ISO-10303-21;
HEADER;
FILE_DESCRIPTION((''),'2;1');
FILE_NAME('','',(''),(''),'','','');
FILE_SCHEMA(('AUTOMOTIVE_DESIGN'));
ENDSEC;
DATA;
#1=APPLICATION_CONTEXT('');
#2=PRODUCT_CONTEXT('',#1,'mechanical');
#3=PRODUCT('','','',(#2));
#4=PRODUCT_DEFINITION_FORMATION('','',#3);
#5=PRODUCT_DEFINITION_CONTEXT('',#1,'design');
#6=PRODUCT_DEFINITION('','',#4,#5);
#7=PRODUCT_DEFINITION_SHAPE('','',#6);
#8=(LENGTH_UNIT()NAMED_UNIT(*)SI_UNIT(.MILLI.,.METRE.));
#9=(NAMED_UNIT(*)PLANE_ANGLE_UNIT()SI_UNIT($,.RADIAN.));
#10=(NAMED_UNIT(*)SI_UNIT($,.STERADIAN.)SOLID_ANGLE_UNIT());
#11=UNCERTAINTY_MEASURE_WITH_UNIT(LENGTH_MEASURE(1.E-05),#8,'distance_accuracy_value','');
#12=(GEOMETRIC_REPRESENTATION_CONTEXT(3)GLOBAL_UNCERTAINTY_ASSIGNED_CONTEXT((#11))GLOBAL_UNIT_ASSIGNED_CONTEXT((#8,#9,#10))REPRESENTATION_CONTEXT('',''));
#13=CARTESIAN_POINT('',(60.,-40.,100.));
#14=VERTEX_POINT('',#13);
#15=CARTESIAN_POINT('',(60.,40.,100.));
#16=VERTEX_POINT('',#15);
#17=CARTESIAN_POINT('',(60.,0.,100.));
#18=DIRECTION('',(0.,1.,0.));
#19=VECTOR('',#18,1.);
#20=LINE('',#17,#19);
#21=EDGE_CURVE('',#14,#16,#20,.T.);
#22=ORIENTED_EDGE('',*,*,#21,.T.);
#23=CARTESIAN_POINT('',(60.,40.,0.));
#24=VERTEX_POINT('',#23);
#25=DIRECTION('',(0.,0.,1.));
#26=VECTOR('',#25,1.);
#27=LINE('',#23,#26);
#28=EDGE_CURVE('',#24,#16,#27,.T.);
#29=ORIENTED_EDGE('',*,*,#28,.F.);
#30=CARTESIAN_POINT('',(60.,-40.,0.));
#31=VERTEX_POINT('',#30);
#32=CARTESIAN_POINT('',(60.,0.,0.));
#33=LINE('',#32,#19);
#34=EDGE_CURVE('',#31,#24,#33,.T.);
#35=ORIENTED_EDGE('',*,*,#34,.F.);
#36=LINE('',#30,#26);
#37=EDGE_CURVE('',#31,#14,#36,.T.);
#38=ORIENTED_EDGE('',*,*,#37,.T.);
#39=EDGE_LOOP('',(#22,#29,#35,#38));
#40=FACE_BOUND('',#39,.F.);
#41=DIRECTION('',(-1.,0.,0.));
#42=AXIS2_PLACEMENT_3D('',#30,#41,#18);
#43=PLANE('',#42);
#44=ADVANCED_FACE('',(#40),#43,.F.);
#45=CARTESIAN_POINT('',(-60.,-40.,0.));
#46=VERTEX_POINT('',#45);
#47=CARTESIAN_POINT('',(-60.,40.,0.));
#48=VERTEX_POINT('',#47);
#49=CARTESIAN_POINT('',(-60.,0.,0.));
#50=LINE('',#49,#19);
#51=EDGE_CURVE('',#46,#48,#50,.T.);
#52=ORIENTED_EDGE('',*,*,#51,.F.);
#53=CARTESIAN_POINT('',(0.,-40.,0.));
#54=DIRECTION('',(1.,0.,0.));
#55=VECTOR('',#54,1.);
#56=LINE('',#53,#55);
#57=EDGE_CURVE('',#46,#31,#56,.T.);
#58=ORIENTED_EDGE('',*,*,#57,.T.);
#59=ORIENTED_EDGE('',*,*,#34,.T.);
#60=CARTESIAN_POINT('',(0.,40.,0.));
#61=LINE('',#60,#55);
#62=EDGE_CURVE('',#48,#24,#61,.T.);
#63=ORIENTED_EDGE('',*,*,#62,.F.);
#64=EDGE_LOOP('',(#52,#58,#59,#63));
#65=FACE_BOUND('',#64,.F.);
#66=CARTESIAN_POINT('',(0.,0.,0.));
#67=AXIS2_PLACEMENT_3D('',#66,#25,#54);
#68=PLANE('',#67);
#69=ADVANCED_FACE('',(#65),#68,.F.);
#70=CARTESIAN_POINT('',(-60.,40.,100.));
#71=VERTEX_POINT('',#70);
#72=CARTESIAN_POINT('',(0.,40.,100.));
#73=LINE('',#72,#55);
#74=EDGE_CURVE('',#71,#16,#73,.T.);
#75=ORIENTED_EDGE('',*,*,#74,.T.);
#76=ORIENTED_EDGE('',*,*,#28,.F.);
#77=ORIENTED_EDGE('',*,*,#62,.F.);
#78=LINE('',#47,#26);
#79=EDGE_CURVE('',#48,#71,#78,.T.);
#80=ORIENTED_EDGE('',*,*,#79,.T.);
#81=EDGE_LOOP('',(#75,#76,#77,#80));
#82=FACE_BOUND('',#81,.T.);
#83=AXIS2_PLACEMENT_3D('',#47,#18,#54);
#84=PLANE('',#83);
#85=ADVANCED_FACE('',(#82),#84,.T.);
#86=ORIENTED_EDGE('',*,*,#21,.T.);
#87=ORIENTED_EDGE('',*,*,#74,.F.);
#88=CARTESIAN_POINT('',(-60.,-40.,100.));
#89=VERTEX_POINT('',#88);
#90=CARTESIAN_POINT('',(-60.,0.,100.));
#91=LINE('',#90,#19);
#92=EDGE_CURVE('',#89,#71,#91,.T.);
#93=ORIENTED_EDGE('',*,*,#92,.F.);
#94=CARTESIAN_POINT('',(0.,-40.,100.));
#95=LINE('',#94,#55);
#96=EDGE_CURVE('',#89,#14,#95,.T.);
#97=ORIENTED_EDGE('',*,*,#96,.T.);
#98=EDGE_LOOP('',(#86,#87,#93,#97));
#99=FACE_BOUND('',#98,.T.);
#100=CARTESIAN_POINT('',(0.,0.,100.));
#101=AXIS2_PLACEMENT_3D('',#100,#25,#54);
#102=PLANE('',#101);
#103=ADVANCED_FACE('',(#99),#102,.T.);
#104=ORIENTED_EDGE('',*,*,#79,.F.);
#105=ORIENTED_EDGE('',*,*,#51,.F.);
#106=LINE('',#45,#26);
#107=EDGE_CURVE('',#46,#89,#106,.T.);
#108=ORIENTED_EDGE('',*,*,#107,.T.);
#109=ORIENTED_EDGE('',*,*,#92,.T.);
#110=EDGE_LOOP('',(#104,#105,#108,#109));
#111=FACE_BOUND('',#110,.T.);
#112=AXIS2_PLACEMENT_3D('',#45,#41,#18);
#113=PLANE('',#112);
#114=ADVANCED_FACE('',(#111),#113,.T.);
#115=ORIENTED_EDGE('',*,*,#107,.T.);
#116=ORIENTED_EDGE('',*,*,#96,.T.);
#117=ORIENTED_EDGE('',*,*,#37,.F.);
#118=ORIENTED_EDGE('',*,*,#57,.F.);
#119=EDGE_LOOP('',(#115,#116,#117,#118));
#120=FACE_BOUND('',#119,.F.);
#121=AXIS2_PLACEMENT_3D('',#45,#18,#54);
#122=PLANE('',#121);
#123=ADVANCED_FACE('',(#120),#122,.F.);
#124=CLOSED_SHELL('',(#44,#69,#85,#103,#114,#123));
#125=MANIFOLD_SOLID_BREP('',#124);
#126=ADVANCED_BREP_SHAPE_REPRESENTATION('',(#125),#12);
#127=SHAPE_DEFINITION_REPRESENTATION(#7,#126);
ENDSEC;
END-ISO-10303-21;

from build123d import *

# Parameters (mm, degrees)
F0_W     = 120
F0_H     = 80
F1_DEPTH = 100
F2_R     = 20.183378
F3_DEPTH = 80


with BuildPart() as f1:
    # F0 (on Top) → F1 (new body)
    with BuildSketch(Plane.XY):
        Rectangle(F0_W, F0_H)
    extrude(amount=F1_DEPTH)

    # F2 (on Top) → F3 (cut)
    with BuildSketch(Plane.XY):
        with Locations((25.038512, 0)):
            Circle(F2_R)
    extrude(amount=-F3_DEPTH, mode=Mode.SUBTRACT)


solid = f1.part
